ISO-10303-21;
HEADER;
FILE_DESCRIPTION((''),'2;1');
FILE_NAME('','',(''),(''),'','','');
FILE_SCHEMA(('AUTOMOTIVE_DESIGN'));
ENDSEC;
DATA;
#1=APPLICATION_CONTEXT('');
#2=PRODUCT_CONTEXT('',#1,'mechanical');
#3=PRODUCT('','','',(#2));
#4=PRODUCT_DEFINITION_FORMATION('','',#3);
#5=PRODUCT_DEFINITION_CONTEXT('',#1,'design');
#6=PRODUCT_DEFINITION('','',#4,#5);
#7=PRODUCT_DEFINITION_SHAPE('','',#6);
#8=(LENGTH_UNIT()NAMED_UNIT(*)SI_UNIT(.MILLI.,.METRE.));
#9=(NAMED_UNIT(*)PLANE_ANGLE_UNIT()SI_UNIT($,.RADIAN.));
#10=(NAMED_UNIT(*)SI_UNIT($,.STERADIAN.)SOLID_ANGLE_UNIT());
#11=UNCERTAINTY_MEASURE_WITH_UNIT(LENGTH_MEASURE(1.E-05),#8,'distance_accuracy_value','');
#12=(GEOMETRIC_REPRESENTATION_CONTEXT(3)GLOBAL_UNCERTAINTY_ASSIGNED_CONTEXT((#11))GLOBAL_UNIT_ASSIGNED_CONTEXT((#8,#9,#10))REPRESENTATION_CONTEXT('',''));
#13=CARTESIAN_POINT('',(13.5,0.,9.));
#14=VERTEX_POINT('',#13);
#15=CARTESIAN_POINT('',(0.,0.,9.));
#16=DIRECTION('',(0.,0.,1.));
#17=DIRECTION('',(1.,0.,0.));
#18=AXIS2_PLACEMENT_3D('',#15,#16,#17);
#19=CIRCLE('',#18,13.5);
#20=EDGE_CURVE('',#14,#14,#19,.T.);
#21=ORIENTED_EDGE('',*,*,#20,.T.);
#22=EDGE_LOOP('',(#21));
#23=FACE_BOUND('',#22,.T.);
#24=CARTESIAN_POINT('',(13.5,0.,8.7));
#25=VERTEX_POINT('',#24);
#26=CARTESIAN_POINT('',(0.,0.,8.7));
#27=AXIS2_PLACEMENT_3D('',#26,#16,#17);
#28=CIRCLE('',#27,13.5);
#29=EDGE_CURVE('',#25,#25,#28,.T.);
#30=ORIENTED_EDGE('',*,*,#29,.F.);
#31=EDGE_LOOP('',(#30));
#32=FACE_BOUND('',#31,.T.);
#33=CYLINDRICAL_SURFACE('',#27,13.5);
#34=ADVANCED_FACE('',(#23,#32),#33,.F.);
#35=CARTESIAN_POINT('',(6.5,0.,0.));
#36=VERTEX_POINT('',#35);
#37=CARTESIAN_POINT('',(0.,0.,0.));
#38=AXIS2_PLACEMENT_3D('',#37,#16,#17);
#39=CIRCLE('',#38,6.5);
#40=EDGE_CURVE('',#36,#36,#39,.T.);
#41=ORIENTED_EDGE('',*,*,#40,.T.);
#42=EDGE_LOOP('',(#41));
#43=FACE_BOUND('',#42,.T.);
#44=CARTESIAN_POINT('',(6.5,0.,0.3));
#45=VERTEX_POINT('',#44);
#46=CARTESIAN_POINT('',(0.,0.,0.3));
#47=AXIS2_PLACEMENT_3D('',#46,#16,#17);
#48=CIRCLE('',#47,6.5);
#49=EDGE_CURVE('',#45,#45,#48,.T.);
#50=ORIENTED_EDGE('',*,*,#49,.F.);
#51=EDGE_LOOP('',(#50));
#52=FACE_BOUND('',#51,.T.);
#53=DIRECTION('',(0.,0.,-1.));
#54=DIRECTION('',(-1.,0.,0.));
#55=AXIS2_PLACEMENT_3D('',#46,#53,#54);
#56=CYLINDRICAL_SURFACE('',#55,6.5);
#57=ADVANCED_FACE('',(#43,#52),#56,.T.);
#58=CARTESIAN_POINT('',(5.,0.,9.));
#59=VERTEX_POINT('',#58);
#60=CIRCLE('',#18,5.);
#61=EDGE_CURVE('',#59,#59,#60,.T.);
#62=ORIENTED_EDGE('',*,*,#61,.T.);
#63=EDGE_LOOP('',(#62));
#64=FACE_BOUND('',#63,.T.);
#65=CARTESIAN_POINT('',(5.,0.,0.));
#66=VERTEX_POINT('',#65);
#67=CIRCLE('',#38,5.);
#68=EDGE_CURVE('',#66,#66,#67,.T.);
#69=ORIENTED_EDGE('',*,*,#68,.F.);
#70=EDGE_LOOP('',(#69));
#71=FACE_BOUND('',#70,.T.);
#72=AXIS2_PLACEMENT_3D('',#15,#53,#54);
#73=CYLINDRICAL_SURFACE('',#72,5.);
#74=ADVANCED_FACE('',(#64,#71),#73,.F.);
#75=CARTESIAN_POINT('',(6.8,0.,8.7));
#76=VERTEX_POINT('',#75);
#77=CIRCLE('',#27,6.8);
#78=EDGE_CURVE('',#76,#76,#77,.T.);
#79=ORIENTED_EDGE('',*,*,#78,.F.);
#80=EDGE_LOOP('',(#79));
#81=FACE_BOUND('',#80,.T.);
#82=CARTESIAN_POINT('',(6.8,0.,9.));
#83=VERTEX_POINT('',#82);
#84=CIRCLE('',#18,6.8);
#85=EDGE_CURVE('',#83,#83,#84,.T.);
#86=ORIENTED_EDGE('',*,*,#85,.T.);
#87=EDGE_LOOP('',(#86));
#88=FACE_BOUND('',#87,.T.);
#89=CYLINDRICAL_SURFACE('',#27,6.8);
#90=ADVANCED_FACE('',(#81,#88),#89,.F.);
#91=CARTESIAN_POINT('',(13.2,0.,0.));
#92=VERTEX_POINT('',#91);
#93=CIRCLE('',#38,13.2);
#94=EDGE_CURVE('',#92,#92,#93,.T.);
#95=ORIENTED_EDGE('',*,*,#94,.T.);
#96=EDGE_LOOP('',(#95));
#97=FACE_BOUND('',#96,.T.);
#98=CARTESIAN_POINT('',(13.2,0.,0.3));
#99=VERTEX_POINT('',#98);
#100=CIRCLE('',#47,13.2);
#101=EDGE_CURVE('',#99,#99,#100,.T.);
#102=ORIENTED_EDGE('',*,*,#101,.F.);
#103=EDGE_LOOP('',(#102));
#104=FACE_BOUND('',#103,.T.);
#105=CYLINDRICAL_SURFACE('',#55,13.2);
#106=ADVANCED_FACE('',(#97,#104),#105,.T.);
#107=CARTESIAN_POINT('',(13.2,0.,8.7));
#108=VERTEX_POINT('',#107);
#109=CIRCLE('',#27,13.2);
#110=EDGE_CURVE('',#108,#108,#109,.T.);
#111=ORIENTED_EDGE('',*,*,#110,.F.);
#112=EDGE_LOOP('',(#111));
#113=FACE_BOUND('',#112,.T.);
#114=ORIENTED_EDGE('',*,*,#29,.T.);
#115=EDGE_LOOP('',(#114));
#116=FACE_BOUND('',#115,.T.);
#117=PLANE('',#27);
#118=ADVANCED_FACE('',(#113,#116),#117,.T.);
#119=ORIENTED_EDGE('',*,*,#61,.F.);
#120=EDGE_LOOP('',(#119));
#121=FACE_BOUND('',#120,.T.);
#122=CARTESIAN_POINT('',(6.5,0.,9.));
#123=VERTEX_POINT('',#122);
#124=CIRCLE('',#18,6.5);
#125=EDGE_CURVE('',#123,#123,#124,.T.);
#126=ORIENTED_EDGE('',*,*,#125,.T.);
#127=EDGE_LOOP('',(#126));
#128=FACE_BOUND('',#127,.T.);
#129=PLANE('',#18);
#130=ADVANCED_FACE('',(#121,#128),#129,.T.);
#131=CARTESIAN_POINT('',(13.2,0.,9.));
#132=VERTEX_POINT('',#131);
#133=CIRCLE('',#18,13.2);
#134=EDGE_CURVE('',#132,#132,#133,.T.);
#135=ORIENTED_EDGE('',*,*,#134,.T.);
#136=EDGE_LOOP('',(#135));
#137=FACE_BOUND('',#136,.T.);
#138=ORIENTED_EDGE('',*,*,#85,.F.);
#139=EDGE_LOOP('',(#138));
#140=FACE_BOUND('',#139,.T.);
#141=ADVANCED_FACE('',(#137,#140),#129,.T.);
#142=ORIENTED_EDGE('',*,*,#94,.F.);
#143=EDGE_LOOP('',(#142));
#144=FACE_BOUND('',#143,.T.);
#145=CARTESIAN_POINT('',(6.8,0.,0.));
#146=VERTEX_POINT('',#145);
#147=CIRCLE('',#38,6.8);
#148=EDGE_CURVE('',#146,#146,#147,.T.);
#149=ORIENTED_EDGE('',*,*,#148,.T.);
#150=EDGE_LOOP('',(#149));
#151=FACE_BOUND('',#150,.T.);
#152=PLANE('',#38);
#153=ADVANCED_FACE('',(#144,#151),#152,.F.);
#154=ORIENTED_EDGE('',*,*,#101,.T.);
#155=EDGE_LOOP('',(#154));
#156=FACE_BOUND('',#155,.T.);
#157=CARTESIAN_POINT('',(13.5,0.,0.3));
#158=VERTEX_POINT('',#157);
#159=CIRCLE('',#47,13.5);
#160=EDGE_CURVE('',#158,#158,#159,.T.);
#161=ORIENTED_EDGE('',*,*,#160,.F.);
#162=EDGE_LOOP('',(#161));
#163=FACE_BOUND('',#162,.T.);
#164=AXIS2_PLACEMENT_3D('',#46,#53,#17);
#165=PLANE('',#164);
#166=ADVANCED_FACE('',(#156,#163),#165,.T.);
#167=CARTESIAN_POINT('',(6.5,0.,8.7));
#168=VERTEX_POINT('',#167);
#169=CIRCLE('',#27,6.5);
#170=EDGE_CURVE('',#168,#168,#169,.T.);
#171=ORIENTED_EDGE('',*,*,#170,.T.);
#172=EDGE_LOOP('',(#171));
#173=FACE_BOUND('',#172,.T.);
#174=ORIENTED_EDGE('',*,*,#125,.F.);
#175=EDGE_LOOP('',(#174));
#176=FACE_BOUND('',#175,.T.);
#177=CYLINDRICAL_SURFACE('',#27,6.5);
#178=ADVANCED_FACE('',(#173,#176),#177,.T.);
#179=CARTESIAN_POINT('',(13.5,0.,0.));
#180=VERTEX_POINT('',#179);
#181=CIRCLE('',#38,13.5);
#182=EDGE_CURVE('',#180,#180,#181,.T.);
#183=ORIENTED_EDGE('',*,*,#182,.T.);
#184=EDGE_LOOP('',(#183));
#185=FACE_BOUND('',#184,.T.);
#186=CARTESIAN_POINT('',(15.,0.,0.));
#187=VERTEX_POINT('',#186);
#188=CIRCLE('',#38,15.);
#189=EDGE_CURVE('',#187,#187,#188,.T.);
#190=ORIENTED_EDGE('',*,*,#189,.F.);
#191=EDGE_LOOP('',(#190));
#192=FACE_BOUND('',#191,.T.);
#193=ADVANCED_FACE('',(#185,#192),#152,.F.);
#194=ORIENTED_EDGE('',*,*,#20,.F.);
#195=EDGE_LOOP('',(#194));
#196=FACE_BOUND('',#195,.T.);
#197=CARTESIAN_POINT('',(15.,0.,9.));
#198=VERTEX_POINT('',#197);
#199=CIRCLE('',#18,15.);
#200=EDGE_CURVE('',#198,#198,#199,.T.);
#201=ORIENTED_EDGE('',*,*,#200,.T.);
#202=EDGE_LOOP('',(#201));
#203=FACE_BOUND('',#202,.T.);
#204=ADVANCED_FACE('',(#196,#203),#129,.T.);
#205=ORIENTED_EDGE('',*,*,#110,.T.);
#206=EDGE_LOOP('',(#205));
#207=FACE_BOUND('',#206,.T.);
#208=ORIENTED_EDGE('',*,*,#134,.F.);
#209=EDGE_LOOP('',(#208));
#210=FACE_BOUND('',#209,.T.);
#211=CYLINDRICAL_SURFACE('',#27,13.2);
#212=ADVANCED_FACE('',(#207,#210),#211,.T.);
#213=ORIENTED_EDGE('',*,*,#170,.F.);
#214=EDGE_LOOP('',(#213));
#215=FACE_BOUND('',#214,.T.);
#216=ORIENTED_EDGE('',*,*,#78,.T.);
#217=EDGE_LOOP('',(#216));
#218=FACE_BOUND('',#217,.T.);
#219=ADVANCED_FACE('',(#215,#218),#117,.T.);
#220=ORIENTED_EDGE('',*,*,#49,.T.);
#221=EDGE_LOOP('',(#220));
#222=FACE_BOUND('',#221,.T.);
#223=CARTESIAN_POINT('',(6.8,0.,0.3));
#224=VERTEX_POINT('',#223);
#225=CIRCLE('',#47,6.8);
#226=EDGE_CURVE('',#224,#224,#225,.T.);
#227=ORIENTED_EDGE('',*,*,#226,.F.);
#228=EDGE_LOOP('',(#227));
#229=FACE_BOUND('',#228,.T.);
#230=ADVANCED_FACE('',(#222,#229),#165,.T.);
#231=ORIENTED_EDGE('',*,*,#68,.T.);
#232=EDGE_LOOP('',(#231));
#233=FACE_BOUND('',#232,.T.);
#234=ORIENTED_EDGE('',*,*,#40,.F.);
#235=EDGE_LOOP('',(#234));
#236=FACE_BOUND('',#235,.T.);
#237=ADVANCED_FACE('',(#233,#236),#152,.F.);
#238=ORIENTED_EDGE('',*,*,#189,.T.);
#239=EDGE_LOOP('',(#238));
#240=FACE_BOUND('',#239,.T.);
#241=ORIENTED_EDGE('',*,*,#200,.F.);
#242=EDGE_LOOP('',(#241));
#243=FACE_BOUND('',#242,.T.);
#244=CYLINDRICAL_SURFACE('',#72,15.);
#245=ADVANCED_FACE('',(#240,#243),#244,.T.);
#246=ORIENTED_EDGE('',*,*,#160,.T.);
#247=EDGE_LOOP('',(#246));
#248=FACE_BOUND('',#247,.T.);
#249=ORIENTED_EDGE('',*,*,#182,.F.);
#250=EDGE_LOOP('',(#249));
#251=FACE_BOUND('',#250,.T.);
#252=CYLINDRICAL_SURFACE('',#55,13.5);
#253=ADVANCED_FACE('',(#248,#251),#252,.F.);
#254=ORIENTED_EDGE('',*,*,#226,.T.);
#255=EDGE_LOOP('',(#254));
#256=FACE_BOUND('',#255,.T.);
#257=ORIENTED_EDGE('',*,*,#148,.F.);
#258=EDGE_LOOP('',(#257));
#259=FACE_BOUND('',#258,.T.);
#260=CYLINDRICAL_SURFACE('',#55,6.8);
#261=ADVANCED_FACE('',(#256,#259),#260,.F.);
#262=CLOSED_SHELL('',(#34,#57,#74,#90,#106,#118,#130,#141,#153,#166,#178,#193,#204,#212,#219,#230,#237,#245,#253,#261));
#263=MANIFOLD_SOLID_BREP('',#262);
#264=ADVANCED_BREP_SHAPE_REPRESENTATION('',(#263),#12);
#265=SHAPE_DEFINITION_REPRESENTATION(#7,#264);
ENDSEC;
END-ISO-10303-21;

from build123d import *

# Parameters (mm, degrees)
CROQUIS1_R              = 15
CROQUIS1_R_2            = 5
SALIENTE_EXTRUIR1_DEPTH = 9
CROQUIS2_R              = 13.5
CROQUIS2_R_2            = 13.2
CROQUIS2_R_3            = 6.8
CROQUIS2_R_4            = 6.5
CORTAR_EXTRUIR1_DEPTH   = 0.3


with BuildPart() as part:
    # Croquis1 → Saliente-Extruir1 (new body)
    with BuildSketch(Plane.XY):
        Circle(CROQUIS1_R)
        Circle(CROQUIS1_R_2, mode=Mode.SUBTRACT)
    extrude(amount=SALIENTE_EXTRUIR1_DEPTH)

    # Croquis2 → Cortar-Extruir1 (cut)
    with BuildSketch(Plane.XY.offset(9)):
        Circle(CROQUIS2_R)
        Circle(CROQUIS2_R_2, mode=Mode.SUBTRACT)
        Circle(CROQUIS2_R_3)
        Circle(CROQUIS2_R_4, mode=Mode.SUBTRACT)
    cortar_extruir1 = extrude(amount=-CORTAR_EXTRUIR1_DEPTH, mode=Mode.SUBTRACT)

    # Simetría1: Cortar-Extruir1 across plane
    add(cortar_extruir1.mirror(Plane.XY.offset(4.5)), mode=Mode.SUBTRACT)


solid = part.part
